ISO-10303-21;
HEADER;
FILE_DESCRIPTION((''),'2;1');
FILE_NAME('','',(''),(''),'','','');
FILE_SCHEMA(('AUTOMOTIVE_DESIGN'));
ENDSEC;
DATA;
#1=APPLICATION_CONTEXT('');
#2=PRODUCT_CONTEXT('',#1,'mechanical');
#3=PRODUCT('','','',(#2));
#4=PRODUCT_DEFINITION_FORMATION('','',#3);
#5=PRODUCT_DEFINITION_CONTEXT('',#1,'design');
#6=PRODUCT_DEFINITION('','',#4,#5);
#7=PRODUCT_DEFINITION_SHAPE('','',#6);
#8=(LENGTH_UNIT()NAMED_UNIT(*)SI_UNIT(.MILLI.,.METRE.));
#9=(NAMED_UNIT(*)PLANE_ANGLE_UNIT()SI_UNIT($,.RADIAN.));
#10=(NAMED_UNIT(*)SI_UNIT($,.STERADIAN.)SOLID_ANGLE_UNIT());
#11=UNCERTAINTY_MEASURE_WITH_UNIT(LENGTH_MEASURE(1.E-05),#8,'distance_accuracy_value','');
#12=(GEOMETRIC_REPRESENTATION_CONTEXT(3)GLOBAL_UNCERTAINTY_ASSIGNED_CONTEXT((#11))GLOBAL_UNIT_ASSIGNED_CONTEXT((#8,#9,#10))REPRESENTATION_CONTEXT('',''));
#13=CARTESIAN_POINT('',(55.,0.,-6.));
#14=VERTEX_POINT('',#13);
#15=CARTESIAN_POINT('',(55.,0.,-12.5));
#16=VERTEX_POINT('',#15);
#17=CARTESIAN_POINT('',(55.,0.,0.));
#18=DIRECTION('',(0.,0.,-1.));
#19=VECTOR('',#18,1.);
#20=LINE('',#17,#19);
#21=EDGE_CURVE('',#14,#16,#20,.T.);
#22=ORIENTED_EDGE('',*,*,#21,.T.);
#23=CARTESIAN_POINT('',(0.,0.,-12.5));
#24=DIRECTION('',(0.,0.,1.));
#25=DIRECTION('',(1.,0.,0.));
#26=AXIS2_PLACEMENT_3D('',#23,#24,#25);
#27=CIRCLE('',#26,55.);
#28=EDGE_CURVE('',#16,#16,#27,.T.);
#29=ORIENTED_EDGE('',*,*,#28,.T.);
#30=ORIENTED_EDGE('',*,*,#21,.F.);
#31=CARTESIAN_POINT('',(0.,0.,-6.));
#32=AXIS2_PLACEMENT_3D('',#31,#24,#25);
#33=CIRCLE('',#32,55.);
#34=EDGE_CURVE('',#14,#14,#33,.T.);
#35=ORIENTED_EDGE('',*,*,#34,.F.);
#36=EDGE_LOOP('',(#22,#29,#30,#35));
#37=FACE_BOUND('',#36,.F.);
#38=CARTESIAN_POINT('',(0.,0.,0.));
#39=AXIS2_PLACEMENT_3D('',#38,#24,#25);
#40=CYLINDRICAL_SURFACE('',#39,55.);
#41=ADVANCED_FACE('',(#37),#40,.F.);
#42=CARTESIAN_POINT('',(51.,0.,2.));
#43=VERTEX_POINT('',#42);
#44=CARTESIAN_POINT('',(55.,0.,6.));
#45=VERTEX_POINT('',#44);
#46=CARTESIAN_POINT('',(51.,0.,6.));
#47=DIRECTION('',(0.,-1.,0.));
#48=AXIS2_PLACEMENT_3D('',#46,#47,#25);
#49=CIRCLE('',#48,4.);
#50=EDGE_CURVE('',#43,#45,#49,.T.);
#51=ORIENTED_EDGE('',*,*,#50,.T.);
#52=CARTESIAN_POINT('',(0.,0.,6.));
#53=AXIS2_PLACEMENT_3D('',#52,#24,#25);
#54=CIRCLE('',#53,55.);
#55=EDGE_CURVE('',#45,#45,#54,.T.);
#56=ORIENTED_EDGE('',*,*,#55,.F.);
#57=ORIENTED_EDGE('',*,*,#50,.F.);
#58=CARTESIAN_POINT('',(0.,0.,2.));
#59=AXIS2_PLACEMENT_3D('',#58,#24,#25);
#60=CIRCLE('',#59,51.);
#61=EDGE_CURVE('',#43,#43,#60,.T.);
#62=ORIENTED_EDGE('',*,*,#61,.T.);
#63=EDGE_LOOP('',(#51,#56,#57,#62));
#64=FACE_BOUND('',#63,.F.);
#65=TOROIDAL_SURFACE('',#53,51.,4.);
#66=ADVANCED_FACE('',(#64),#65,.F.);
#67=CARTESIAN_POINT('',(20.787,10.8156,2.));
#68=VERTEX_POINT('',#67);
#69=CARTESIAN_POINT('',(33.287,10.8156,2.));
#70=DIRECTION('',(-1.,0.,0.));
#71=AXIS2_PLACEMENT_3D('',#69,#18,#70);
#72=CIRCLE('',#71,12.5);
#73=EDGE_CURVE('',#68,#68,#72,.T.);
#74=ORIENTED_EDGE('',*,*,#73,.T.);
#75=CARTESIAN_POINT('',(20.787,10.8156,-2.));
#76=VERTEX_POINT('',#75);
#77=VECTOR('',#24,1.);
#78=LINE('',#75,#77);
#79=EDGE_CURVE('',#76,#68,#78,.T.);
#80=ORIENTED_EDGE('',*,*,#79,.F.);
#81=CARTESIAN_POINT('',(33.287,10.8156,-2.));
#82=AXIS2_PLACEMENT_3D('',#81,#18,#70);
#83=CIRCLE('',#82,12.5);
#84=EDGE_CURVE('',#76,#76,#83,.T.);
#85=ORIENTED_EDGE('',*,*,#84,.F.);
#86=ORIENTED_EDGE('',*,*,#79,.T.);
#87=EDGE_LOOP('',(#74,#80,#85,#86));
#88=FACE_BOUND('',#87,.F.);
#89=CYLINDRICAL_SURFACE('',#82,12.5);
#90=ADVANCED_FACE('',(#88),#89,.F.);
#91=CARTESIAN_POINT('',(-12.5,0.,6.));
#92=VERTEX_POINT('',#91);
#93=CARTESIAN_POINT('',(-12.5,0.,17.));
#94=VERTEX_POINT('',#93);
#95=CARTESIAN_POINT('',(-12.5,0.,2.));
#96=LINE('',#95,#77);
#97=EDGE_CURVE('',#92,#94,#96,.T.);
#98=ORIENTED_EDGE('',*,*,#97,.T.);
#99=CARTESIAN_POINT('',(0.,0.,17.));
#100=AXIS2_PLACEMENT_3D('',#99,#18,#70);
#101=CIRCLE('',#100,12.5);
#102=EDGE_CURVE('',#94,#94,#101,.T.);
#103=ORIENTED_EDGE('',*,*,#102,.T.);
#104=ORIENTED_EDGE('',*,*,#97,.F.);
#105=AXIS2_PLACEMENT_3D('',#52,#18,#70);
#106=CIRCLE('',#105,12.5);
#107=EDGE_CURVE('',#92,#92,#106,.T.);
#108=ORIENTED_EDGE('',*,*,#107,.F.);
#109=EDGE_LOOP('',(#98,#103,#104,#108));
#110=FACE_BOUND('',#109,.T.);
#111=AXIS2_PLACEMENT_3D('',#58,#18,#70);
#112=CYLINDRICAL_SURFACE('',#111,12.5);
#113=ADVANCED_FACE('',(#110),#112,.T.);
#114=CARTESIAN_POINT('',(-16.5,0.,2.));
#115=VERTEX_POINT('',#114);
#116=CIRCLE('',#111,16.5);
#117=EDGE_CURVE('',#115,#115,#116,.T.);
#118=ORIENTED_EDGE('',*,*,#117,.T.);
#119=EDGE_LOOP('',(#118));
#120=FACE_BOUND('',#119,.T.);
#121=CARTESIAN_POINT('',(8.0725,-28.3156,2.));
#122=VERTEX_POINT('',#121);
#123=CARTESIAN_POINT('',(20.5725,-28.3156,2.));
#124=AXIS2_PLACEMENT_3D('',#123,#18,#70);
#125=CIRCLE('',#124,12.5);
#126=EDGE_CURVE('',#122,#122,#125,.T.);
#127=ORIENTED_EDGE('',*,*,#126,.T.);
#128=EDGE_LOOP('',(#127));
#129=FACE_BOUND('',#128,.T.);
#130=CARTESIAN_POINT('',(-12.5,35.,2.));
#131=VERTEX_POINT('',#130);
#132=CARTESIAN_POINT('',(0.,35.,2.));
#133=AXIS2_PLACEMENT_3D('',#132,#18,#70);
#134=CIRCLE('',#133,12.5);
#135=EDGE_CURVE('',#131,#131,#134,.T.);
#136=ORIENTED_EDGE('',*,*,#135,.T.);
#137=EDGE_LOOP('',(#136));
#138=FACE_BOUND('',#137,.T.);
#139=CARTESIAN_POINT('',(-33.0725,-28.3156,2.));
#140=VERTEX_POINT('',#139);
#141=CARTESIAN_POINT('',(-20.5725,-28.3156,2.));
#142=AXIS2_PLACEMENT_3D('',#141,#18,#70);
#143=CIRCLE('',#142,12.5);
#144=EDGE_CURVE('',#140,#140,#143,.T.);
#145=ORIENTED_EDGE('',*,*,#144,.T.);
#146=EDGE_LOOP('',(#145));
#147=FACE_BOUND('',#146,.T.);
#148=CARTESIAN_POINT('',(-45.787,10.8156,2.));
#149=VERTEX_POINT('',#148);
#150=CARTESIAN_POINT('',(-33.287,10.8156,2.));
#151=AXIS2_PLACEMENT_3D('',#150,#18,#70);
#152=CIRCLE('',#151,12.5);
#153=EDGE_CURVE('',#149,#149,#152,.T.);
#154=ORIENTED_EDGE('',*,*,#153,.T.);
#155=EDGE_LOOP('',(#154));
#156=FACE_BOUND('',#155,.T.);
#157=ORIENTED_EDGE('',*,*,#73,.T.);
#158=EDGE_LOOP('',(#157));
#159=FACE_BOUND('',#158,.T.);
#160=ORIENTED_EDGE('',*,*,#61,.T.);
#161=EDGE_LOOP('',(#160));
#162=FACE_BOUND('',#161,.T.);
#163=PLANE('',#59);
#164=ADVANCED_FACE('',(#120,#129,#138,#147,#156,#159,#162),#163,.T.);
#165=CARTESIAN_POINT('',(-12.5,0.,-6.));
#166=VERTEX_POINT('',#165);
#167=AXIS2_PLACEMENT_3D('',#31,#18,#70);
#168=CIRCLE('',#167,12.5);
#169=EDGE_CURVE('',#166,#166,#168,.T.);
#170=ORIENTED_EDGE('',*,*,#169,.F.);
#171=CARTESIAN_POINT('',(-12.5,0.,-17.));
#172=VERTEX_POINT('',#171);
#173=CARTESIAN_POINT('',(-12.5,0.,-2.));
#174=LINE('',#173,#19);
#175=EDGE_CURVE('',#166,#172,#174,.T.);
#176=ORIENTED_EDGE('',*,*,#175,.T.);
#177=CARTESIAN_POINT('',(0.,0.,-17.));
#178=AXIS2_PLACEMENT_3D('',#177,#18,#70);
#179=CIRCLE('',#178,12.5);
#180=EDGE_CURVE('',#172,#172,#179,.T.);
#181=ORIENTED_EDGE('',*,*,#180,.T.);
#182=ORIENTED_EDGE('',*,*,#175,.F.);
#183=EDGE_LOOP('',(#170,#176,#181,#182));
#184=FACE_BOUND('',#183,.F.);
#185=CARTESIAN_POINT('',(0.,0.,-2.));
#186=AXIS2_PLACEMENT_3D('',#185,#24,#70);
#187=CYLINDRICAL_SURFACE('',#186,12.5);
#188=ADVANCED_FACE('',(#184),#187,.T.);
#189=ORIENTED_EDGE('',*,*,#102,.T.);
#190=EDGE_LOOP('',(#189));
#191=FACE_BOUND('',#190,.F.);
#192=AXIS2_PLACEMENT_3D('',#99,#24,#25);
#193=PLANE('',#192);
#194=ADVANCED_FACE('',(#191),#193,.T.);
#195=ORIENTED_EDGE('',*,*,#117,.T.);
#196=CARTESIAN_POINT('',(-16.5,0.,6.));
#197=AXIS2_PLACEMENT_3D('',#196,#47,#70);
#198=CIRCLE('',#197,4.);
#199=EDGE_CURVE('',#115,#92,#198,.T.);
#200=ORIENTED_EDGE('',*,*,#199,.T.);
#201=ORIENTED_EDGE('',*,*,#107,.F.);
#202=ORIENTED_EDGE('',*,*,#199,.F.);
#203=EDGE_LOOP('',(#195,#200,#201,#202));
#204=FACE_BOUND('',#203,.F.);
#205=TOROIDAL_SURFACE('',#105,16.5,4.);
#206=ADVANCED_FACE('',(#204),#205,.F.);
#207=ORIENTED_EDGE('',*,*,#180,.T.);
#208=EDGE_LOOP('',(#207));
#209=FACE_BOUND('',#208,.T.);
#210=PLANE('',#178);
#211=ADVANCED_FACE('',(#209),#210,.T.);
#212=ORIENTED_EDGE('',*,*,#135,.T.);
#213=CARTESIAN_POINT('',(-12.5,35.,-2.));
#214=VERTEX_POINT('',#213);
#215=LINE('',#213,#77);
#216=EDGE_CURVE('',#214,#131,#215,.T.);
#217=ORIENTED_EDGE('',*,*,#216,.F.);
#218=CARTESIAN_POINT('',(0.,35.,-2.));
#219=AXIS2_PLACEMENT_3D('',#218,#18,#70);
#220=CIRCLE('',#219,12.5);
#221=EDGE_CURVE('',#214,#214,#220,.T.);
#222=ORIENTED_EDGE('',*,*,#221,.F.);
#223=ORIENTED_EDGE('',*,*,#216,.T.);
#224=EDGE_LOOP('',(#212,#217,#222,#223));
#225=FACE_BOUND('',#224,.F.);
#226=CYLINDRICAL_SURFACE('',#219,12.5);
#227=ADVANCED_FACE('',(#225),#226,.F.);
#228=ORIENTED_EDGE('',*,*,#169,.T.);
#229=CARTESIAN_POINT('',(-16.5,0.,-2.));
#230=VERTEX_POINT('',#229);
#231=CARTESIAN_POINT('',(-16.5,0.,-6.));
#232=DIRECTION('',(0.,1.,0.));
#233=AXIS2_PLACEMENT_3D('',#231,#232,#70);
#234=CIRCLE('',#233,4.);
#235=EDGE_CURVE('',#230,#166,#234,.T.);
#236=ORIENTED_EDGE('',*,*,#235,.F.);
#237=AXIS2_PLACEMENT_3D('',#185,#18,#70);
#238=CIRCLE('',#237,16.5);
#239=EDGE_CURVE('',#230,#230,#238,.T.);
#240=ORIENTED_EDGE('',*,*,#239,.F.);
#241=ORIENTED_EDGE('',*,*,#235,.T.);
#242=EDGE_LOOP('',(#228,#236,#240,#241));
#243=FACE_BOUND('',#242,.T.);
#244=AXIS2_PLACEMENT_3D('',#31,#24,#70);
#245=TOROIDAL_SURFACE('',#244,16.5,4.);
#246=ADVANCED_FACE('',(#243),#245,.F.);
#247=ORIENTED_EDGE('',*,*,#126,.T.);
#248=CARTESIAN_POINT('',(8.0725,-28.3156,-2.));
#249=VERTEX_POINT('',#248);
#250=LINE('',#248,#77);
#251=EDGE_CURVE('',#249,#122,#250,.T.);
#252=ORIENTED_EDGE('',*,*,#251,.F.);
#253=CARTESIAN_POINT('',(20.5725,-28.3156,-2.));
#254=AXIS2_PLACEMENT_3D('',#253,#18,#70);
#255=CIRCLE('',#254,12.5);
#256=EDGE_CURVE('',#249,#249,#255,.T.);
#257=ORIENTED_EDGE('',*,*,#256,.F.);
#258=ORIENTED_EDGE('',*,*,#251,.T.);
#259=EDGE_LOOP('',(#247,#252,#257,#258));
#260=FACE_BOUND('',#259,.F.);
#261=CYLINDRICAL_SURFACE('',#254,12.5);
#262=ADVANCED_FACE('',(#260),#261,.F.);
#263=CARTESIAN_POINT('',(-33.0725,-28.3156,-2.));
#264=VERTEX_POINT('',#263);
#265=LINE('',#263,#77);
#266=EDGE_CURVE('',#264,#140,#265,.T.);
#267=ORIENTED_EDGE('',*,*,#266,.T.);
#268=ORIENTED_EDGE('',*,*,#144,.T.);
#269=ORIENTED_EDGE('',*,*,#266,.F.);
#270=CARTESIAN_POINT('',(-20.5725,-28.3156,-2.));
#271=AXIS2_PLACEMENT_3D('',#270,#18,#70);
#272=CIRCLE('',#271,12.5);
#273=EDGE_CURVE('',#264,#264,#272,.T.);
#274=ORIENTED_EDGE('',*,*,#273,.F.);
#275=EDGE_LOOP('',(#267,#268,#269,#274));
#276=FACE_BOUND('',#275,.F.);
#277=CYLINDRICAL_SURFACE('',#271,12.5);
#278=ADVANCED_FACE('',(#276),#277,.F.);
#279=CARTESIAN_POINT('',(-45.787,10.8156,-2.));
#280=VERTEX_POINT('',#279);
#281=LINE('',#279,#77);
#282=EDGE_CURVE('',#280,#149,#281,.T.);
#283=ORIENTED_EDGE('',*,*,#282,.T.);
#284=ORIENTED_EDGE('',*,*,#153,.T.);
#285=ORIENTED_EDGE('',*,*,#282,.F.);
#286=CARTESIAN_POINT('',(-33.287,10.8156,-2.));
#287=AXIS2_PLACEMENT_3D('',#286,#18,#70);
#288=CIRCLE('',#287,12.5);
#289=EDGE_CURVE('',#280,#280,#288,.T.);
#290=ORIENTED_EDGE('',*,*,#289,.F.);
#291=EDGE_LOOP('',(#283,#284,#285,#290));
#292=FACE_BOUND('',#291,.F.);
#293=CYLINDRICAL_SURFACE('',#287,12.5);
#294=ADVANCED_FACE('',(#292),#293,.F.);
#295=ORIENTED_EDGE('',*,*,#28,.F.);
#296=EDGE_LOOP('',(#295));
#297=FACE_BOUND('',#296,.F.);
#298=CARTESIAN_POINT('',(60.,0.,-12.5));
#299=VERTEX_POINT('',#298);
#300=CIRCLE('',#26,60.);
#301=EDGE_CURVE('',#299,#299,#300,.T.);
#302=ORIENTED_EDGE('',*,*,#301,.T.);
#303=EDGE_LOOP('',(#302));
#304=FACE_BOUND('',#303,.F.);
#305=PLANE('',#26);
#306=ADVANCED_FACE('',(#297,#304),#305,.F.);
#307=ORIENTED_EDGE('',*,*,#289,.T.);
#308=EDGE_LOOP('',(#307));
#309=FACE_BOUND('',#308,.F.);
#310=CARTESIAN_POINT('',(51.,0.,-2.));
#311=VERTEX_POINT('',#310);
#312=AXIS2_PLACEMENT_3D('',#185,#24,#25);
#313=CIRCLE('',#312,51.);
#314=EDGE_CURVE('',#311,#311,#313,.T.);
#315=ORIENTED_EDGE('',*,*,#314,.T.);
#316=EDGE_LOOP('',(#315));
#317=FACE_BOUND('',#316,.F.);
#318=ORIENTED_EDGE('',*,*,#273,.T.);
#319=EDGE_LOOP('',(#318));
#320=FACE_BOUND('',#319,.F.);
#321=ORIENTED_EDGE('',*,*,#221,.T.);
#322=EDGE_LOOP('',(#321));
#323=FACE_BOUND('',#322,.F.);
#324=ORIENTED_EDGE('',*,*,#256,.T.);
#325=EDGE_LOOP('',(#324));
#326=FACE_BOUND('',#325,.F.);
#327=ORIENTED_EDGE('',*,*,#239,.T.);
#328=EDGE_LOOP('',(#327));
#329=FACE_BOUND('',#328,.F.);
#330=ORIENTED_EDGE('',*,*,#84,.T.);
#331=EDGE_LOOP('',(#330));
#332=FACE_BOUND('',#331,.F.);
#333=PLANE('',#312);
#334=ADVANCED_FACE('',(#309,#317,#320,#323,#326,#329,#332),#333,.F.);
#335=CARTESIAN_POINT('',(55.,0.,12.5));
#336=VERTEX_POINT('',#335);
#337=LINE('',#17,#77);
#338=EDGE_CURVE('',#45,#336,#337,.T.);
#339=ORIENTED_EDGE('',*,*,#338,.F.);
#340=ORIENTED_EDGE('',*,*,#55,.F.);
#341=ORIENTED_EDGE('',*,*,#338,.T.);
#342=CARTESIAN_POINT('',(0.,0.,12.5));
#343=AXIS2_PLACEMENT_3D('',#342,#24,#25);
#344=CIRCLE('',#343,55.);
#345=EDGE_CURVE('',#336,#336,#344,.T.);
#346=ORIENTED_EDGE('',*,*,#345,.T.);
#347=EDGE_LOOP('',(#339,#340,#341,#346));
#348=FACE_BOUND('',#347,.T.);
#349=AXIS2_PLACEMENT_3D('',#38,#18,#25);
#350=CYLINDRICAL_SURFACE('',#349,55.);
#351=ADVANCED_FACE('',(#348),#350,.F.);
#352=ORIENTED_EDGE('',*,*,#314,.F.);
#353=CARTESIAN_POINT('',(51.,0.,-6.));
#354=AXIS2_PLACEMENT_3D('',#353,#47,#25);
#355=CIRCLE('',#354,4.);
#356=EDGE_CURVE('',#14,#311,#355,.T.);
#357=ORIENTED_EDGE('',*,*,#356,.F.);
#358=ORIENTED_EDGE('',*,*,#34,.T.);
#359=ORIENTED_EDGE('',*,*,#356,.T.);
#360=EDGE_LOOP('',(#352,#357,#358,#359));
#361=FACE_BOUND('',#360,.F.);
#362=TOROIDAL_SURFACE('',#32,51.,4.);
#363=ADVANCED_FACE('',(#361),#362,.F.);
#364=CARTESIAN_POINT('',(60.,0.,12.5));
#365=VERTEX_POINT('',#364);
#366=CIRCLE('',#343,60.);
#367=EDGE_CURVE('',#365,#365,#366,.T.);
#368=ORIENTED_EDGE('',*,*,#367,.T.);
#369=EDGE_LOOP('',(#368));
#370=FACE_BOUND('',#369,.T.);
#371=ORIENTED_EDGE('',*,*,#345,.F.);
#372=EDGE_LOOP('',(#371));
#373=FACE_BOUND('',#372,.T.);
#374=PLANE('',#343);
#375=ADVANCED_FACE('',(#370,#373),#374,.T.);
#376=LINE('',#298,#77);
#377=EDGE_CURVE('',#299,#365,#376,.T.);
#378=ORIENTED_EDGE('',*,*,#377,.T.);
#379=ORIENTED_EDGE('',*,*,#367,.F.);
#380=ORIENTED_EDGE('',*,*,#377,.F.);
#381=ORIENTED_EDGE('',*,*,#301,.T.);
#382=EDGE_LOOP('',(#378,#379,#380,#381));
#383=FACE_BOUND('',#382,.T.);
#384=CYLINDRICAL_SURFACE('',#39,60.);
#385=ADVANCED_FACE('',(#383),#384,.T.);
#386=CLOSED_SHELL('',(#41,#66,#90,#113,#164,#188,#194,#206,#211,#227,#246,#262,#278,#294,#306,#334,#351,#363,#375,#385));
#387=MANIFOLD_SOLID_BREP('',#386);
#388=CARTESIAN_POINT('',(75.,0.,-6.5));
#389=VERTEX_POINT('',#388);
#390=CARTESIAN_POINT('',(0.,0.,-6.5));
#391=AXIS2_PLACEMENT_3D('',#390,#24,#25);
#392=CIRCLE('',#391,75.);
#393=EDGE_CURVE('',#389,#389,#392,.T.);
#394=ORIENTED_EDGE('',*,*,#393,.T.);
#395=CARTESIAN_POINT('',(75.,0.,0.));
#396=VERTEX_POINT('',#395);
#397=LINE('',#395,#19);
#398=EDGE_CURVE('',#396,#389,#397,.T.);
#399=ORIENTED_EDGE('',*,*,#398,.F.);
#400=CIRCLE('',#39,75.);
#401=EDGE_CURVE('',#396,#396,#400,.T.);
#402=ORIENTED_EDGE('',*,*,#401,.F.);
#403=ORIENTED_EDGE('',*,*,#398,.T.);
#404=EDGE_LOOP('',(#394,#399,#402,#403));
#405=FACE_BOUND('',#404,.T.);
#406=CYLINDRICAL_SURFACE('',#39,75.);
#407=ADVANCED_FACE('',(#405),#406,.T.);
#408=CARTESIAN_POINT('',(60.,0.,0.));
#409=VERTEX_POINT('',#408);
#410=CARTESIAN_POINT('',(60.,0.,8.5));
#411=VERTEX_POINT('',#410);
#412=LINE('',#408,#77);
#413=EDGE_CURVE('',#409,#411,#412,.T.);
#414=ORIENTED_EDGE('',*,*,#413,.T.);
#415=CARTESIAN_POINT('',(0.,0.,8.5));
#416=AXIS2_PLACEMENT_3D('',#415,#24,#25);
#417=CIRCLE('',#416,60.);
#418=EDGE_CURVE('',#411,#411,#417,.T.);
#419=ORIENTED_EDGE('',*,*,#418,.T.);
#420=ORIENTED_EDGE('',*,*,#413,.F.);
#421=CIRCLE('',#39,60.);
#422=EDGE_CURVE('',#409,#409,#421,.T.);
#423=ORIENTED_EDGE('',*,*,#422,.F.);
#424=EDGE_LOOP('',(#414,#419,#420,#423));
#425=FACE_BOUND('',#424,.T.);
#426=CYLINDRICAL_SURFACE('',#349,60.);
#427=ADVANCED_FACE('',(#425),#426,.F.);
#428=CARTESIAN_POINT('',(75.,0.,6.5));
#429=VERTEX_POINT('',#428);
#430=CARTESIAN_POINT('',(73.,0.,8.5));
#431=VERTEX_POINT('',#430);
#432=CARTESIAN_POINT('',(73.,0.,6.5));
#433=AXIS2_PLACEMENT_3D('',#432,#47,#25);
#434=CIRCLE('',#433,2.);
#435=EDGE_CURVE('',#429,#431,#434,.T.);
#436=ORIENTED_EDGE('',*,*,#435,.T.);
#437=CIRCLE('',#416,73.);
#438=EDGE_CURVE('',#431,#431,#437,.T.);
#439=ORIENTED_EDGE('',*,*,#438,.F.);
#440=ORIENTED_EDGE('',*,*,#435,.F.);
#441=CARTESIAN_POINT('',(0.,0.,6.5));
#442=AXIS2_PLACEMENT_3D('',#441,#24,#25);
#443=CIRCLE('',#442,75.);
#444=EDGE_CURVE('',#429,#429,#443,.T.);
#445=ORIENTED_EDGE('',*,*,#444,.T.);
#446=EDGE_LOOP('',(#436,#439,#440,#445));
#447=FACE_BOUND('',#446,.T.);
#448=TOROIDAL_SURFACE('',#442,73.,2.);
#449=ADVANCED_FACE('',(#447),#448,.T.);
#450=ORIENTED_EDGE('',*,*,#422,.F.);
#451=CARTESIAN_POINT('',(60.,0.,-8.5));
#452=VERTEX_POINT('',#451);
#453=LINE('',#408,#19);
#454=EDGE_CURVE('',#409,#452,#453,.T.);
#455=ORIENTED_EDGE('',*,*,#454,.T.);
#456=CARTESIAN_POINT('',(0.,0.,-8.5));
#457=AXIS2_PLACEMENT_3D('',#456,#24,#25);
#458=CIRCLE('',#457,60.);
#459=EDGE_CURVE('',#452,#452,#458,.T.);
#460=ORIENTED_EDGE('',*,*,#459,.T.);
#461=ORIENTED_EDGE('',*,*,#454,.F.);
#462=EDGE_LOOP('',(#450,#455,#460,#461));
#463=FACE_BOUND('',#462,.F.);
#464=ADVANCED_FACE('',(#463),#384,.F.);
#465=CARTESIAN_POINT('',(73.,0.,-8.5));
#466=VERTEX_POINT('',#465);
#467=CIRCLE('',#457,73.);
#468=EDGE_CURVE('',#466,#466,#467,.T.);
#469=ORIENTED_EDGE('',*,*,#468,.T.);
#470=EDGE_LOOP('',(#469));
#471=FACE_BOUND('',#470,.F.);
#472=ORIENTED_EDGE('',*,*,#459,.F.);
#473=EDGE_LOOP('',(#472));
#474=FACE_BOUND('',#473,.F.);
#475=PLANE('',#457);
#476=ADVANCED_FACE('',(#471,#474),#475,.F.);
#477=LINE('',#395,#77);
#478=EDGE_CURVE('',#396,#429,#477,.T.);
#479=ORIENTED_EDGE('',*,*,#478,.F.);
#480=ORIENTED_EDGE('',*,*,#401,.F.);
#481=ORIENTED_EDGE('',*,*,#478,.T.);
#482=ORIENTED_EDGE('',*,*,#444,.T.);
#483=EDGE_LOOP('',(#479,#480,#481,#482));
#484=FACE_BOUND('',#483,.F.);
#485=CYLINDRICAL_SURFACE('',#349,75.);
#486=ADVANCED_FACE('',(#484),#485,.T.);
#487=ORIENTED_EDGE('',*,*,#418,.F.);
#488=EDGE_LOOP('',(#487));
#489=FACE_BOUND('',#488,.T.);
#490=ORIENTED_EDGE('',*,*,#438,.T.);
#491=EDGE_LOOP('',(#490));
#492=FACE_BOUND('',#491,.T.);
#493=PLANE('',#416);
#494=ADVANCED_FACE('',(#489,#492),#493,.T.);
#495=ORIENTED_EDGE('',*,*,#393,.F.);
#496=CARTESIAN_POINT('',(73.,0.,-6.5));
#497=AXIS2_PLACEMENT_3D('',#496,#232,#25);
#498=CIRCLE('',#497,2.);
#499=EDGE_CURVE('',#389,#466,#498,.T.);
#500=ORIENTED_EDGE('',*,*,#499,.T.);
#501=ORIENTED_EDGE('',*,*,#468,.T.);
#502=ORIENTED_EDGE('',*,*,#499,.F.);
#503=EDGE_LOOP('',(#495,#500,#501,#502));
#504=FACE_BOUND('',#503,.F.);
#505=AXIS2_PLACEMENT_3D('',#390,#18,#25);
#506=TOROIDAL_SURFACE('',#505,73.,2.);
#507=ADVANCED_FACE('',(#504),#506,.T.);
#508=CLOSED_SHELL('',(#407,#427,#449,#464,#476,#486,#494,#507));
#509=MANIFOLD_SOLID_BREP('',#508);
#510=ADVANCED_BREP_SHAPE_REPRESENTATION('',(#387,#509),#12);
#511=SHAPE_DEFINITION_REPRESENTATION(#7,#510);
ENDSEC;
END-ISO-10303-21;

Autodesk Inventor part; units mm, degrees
ref_plane "YZ Plane" through (0, 0, 0) normal (1, 0, 0) x (0, 1, 0)
ref_plane "XZ Plane" through (0, 0, 0) normal (0, 1, 0) x (-1, 0, 0)
ref_plane "XY Plane" through (0, 0, 0) normal (0, 0, 1) x (1, 0, 0)
sketch "Sketch1" plane through (0, 0, 0) normal (0, 0, 1) x (1, 0, 0)
  circle A0 centre (0, 0) radius 75
  circle A1 centre (0, 0) radius 60
  dimension "d0" = 150
  dimension "d1" = 120
extrude "Extrusion1" add sketch "Sketch1" along normal mid plane 17
fillet "Fillet1" radius 2 2 edges at (-75, 0, 8.5) (-75, 0, -8.5)
sketch "Sketch2" plane through (0, 0, 0) normal (0, 0, 1) x (1, 0, 0)
  circle A0 centre (0, 0) radius 60
  circle A1 centre (0, 0) radius 55
  dimension "d7" = 110
extrude "Extrusion2" add sketch "Sketch2" along normal mid plane 25 separate body
sketch "Sketch3" plane through (0, 0, 0) normal (0, 0, 1) x (1, 0, 0)
  circle A0 centre (0, 0) radius 55
extrude "Extrusion3" add sketch "Sketch3" along normal mid plane 4 bodies 2
fillet "Fillet2" radius 4 1 edges at (-55, 0, -2)
sketch "Sketch4" plane through (0, 0, -2) normal (0, 0, -1) x (-1, 0, 0)
  circle A0 centre (0, 35) radius 12.5
  circle A1 centre (-33.287, 10.8156) radius 12.5
  circle A2 centre (-20.5725, -28.3156) radius 12.5
  circle A3 centre (20.5725, -28.3156) radius 12.5
  circle A4 centre (33.287, 10.8156) radius 12.5
  point P0 (0, 0)
  dimension "d11" = 25
  dimension "d12" = 35
  dimension "d15" = 360
extrude "Extrusion4" cut sketch "Sketch4" against normal blind 4 bodies 2
sketch "Sketch5" plane through (0, 0, -2) normal (0, 0, -1) x (-1, 0, 0)
  circle A0 centre (0, 0) radius 51 projected
  circle A1 centre (0, 0) radius 12.5
  dimension "d19" = 25
extrude "Extrusion5" add sketch "Sketch5" along normal blind 15 contours A1 bodies 2
mirror "Mirror1" about plane through (0, 0, 0) normal (0, 0, 1) of "Extrusion5" bodies 2
fillet "Fillet3" radius 4 1 edges at (-55, 0, 2)
fillet "Fillet4" radius 4 2 edges at (12.5, 0, 2) (12.5, 0, -2)
properties part number "Wheel"
